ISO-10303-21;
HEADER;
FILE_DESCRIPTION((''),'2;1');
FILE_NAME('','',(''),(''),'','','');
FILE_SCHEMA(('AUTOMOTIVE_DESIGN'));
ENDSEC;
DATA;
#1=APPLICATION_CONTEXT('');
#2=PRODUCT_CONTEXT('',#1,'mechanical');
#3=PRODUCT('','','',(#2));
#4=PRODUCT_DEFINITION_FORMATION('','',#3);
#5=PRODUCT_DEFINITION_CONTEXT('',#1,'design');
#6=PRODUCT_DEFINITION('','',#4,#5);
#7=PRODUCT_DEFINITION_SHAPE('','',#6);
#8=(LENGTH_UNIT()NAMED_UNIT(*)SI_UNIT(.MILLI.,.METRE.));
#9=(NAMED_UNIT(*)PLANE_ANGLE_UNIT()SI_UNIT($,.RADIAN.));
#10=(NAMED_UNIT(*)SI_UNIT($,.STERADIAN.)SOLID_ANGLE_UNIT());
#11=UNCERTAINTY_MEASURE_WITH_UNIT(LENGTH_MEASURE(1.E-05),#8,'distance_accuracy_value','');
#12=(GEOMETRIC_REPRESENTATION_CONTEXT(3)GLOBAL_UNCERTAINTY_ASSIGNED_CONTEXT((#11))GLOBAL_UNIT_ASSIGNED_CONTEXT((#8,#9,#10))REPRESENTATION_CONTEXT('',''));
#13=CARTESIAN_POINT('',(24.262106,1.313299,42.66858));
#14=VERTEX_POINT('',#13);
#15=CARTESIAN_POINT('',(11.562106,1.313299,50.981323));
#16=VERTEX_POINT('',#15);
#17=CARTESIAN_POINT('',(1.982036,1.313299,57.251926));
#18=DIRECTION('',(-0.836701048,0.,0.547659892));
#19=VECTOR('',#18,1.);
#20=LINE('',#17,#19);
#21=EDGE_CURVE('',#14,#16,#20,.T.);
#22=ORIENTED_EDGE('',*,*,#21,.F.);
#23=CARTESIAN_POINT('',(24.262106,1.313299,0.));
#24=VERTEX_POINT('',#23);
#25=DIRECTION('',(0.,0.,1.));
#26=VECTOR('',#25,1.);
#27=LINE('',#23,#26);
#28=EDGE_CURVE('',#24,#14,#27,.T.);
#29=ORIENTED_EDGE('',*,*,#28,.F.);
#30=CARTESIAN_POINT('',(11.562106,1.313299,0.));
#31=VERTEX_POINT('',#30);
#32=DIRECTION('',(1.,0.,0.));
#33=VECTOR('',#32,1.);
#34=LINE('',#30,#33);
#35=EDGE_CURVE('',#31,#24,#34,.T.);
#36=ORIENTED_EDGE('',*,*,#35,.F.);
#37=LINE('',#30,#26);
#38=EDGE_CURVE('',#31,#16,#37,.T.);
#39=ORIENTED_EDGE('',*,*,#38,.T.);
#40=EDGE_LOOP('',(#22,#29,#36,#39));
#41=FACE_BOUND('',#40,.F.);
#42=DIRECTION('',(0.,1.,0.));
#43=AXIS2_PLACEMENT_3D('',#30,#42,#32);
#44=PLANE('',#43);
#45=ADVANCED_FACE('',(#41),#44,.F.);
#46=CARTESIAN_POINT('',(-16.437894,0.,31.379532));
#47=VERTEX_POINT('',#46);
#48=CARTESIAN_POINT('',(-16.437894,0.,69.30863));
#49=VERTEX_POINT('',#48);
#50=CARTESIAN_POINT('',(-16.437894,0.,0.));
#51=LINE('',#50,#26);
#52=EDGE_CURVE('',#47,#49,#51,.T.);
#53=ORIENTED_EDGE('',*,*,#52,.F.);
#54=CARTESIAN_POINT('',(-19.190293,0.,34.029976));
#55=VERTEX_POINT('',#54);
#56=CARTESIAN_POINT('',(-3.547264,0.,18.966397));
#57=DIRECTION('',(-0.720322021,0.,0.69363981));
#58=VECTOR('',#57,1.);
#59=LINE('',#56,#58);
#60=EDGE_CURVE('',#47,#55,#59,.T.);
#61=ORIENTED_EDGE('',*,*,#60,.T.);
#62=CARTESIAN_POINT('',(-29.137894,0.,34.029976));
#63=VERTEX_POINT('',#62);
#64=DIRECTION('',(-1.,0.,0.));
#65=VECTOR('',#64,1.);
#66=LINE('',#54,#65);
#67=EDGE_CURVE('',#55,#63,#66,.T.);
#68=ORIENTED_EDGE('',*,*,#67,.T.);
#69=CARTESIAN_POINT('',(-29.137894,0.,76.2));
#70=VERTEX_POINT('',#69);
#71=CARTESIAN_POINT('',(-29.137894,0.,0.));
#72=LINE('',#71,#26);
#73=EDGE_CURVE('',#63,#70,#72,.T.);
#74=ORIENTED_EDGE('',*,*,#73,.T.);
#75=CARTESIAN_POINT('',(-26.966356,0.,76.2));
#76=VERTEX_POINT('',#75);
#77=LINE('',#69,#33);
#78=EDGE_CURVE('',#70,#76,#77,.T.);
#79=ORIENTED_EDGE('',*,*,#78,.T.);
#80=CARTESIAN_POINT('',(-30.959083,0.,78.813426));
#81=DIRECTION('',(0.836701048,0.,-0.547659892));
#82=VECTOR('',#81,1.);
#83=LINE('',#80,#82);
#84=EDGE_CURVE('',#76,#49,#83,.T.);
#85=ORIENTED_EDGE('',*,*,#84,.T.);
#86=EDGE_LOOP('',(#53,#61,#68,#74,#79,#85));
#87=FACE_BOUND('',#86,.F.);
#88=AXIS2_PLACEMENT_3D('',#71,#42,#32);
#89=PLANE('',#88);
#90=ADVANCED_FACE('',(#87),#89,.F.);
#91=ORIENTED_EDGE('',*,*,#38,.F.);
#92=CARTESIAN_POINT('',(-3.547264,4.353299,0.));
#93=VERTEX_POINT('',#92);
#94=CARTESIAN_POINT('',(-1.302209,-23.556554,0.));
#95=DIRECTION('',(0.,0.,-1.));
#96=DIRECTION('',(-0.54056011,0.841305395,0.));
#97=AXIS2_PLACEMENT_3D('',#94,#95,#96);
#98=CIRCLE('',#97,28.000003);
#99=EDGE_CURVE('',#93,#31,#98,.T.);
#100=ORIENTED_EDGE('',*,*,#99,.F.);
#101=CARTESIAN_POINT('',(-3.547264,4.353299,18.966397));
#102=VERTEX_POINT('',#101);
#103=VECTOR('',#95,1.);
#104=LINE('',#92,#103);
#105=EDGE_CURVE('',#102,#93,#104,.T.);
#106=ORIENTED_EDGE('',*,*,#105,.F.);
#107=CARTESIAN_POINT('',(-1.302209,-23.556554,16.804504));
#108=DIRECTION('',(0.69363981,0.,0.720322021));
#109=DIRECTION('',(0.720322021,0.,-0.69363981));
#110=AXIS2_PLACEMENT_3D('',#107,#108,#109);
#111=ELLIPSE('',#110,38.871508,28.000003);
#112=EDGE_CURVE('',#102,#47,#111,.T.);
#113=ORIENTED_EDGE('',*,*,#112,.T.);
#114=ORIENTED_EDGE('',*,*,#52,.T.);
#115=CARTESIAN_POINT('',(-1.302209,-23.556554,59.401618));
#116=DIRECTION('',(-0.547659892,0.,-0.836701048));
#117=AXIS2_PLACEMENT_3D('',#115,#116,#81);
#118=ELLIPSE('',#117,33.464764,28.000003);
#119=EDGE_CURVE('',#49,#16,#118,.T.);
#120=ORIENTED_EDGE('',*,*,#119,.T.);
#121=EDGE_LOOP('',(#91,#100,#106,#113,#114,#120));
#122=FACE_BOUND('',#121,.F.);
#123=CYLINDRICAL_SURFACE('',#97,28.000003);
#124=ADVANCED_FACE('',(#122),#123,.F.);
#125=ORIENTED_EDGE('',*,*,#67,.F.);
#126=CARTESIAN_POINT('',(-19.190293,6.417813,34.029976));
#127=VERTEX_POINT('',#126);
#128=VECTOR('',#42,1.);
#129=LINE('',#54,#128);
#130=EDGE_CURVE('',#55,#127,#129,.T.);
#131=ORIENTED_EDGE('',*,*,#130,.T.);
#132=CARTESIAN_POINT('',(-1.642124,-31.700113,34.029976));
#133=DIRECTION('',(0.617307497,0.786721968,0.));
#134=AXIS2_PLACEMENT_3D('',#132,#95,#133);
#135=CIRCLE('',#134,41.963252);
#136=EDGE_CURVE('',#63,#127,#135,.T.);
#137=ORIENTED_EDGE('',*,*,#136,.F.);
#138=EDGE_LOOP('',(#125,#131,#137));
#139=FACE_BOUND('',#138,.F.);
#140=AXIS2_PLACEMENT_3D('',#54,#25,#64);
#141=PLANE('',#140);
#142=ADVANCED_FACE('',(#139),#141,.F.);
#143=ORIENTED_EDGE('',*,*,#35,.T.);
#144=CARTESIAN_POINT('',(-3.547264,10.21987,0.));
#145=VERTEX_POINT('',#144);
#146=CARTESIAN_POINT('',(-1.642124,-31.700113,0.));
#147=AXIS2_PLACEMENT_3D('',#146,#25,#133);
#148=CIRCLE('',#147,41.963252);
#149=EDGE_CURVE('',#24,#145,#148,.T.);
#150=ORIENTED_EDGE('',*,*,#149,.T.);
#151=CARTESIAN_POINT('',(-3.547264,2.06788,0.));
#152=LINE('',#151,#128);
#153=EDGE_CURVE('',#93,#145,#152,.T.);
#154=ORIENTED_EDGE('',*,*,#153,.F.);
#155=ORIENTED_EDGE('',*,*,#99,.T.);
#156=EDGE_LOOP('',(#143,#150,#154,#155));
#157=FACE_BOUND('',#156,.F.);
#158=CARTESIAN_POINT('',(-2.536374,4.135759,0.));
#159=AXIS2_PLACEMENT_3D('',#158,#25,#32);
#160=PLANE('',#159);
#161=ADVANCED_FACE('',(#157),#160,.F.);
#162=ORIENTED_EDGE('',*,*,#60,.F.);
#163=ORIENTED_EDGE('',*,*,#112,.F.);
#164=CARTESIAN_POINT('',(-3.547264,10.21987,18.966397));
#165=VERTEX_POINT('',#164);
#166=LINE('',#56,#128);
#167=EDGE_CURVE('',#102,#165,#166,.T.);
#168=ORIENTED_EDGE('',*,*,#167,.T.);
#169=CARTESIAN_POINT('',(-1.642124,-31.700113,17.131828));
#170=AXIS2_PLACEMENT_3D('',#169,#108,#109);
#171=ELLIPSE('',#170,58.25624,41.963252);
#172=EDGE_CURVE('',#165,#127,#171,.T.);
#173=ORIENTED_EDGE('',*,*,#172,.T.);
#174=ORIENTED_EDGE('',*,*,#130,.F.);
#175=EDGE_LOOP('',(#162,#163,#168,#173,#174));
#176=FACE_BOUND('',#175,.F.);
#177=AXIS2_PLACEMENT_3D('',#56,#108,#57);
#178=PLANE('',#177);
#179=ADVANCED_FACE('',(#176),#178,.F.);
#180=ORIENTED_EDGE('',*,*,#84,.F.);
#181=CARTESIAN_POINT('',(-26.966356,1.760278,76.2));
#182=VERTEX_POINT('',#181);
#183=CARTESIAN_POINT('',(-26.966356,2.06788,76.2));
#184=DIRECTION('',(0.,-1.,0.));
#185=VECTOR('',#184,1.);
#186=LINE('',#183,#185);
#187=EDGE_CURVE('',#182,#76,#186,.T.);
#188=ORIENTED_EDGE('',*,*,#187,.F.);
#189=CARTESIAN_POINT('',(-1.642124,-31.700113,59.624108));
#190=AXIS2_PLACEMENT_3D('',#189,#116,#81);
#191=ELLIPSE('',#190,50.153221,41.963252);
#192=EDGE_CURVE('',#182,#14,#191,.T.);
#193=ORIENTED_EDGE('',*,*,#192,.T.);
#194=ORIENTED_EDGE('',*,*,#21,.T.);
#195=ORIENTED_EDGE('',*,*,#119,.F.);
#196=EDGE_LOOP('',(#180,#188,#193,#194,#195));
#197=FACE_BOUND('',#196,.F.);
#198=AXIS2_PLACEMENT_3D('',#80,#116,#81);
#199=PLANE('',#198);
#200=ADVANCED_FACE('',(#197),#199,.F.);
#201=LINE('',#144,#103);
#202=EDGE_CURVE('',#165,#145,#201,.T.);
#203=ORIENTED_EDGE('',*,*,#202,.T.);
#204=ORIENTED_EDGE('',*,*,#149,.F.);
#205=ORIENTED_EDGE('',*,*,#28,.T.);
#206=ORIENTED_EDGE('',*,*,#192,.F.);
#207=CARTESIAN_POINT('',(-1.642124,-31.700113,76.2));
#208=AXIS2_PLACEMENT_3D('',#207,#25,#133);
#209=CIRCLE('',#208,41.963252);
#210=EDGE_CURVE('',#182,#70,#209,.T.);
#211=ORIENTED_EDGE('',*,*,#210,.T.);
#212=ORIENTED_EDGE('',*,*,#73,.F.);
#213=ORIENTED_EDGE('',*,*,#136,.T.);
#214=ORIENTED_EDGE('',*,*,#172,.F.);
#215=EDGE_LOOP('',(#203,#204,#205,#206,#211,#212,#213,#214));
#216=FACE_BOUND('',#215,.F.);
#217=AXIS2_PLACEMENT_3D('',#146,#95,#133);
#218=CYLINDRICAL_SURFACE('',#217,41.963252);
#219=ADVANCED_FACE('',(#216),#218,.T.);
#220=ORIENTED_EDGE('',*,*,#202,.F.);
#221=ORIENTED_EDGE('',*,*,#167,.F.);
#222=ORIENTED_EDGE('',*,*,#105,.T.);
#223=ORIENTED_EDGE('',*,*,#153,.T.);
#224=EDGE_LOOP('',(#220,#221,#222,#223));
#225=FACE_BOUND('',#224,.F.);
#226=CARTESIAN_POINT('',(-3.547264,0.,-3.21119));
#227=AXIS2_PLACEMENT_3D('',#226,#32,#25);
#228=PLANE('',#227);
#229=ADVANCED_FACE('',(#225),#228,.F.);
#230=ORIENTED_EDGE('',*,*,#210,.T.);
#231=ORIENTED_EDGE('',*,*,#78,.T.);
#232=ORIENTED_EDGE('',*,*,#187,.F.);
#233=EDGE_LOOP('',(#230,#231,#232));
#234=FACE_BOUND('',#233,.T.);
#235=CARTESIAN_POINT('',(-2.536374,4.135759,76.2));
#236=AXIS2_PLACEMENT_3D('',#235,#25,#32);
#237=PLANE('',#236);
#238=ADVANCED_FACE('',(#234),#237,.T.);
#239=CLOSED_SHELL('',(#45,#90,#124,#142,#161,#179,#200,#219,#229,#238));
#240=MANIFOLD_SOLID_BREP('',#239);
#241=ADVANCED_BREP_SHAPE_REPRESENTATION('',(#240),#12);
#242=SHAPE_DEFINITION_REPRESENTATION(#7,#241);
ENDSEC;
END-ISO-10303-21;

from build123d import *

# Parameters (mm, degrees)
F1_DEPTH = 76.2
F3_DEPTH = 25
F5_DEPTH = 25


with BuildPart() as f1:
    # F0 (on Top) → F1 (new body)
    with BuildSketch(Plane.XY):
        with BuildLine():
            Line((-29.137894, 0), (-16.437894, 0))
            ThreePointArc((-16.437894, 0), (-2.614066, 4.412701), (11.562106, 1.313299))
            Line((11.562106, 1.313299), (24.262106, 1.313299))
            ThreePointArc((24.262106, 1.313299), (-2.67384, 10.250454), (-29.137894, 0))
        make_face()
    extrude(amount=F1_DEPTH)

    # F2 (on Front) → F3 (cut)
    with BuildSketch(Plane.XZ):
        Polygon((25.847133, 41.631106), (24.586304, 78.813426), (-30.959083, 78.813426), align=None)
    extrude(amount=-F3_DEPTH, mode=Mode.SUBTRACT)

    # F4 (on Front) → F5 (cut)
    with BuildSketch(Plane.XZ):
        Polygon((-34.645859, -3.21119), (-3.547264, -3.21119), (-3.547264, 18.966397), (-19.190293, 34.029976), (-34.645859, 34.029976), align=None)
    extrude(amount=-F5_DEPTH, mode=Mode.SUBTRACT)


solid = f1.part
